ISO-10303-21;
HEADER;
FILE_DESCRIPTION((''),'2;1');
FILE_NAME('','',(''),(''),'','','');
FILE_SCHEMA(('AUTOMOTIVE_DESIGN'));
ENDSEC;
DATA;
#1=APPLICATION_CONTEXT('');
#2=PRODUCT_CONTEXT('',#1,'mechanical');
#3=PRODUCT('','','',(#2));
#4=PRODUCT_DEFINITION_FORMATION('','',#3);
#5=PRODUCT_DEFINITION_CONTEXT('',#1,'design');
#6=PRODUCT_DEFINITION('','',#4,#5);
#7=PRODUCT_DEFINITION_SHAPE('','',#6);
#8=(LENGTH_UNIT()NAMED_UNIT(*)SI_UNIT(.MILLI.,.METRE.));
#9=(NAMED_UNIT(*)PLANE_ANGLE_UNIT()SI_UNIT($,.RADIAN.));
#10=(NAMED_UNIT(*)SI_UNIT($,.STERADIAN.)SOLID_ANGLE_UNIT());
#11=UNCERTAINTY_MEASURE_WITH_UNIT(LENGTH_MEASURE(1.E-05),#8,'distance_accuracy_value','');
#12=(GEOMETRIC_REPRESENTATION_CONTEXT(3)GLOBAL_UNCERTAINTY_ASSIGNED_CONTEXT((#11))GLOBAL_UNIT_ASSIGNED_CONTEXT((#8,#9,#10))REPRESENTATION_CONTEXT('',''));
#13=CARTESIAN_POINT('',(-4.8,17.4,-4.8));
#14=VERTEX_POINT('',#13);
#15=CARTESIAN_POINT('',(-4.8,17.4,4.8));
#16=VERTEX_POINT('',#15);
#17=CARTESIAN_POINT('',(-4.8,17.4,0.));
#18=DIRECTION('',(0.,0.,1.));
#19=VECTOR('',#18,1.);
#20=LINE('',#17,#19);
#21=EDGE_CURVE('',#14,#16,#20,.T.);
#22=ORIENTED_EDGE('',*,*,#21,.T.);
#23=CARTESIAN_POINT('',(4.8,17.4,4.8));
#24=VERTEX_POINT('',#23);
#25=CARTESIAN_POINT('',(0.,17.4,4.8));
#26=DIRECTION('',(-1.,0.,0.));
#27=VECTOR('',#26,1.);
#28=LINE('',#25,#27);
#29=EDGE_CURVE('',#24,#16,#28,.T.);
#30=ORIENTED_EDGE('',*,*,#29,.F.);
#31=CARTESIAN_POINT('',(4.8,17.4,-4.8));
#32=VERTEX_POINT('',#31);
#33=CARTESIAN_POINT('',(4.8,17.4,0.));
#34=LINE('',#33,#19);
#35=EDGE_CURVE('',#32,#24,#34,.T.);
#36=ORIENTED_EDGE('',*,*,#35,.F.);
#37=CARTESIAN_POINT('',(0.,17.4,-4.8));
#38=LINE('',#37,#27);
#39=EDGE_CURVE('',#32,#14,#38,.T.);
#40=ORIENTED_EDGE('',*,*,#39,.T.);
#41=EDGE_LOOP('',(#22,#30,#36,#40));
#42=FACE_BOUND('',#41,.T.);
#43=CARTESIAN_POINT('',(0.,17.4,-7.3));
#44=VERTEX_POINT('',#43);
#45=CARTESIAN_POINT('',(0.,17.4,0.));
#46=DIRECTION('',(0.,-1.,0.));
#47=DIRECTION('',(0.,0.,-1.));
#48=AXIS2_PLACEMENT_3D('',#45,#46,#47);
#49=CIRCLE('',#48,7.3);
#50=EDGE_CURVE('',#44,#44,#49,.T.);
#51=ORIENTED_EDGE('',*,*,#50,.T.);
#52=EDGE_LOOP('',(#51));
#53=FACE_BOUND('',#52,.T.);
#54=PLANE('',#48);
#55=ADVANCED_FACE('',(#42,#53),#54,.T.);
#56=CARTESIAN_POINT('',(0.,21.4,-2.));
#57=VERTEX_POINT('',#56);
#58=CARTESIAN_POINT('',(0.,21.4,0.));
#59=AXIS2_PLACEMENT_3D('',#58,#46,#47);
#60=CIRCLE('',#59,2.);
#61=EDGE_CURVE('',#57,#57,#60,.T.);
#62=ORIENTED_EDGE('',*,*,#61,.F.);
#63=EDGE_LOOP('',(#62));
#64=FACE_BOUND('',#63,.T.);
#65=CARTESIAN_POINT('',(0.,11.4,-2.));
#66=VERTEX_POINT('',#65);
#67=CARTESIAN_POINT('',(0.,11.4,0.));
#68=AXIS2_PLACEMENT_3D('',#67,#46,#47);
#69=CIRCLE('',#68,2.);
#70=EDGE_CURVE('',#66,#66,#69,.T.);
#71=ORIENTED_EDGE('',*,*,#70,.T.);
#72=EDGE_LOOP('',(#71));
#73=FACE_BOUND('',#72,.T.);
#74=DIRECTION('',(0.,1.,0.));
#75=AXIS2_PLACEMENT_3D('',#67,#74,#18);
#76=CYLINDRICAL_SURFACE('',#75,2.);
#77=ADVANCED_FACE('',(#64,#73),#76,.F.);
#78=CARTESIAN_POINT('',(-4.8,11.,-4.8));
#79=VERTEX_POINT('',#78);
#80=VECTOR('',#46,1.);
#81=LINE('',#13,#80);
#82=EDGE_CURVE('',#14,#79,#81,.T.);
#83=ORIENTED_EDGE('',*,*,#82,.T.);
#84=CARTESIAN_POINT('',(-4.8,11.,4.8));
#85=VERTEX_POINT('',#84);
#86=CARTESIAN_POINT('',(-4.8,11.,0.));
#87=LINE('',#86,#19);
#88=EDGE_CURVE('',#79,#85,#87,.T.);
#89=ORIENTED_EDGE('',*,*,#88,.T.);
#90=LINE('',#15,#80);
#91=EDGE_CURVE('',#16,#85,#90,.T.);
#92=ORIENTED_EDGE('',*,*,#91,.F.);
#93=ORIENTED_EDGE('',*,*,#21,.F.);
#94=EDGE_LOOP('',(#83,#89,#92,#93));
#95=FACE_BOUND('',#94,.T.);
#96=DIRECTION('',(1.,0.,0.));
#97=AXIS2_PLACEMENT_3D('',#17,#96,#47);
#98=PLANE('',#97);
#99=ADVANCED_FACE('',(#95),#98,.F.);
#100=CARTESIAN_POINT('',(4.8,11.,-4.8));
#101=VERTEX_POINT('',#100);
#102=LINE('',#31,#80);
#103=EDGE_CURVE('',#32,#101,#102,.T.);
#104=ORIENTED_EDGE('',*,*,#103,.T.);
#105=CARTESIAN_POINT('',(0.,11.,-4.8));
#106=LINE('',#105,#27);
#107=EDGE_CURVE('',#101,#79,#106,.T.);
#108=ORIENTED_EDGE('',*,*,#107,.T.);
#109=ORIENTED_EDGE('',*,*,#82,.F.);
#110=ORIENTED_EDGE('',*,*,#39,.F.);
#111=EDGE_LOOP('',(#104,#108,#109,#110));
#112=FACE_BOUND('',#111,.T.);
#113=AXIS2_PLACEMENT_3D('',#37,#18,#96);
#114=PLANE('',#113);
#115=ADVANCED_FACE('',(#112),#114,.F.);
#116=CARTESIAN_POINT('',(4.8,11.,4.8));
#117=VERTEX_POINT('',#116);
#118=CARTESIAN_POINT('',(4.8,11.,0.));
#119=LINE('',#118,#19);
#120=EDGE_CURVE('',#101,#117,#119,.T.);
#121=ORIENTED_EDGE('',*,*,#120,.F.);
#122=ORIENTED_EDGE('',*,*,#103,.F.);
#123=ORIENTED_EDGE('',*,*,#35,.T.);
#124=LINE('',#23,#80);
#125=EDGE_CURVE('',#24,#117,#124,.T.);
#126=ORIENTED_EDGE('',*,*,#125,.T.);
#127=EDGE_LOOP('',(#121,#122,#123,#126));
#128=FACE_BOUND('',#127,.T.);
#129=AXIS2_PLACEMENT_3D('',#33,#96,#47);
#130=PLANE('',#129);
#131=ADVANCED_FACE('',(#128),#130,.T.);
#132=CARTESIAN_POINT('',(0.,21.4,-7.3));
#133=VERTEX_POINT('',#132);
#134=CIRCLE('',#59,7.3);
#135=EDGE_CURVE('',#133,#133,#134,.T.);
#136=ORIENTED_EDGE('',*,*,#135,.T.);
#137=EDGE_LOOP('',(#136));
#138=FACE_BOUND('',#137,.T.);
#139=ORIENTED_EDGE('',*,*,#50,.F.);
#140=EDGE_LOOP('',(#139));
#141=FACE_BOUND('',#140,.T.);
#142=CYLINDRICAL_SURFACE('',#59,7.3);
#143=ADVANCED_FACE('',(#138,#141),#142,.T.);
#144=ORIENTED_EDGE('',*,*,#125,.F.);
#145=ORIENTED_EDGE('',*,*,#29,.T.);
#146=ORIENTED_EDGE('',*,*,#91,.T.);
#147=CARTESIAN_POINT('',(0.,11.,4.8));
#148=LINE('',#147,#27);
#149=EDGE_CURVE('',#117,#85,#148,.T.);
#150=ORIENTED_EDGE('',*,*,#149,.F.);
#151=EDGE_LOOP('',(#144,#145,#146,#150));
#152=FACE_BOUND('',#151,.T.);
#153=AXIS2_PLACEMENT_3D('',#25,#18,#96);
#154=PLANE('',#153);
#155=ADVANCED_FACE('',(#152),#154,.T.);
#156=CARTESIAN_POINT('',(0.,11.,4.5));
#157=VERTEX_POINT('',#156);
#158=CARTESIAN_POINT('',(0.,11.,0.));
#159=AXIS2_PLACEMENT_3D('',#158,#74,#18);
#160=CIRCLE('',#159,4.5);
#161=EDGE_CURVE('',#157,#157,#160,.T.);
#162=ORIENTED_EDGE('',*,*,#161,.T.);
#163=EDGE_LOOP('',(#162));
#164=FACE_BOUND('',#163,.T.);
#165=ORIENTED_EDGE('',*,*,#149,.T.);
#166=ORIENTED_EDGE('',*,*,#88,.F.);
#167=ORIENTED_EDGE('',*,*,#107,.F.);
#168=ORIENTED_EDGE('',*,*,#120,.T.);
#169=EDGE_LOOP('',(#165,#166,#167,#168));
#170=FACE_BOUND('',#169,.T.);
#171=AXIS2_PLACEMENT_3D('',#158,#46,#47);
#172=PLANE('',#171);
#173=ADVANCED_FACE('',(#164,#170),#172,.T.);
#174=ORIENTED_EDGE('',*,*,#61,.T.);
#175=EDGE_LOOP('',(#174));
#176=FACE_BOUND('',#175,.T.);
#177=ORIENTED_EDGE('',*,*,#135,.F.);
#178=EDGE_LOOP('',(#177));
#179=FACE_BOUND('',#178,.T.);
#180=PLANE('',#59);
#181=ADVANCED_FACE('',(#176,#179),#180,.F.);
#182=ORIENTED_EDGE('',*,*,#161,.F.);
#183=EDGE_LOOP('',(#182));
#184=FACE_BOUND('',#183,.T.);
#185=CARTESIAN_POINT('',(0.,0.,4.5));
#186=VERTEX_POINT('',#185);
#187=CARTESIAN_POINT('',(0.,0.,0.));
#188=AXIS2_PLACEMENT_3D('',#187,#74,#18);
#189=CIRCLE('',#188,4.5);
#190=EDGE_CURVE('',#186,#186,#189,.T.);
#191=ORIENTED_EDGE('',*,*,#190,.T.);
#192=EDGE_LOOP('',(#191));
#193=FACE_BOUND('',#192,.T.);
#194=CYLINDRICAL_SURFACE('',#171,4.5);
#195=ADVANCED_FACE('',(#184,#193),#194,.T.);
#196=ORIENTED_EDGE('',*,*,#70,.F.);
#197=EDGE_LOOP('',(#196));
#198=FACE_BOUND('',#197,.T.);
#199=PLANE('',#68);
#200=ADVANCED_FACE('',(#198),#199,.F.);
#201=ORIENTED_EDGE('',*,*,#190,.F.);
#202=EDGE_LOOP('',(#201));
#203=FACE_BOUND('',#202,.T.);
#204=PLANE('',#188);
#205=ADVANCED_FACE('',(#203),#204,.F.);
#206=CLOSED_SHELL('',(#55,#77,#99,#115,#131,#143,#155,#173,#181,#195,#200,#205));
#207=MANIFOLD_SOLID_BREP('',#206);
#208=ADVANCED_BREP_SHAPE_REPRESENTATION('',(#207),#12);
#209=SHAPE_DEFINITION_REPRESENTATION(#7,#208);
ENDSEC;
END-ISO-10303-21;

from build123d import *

# Parameters (mm, degrees)
SKETCH1_R           = 4.5
SKETCH1_R_2         = 2
BOSS_EXTRUDE1_DEPTH = 11
BOSS_EXTRUDE2_START = 11
SKETCH1_3_W         = 9.6
SKETCH1_3_H         = 9.6
SKETCH1_3_R         = 4.5
SKETCH1_3_R_2       = 2
BOSS_EXTRUDE2_DEPTH = 6.4
BOSS_EXTRUDE3_START = 17.4
SKETCH1_4_R         = 7.3
SKETCH1_4_W         = 9.6
SKETCH1_4_H         = 9.6
SKETCH1_4_R_2       = 4.5
SKETCH1_4_R_3       = 2
BOSS_EXTRUDE3_DEPTH = 4
CUT_EXTRUDE1_START  = 21.4
SKETCH1_5_R         = 2
CUT_EXTRUDE1_DEPTH  = 10


with BuildPart() as part:
    # Sketch1 → Boss-Extrude1 (new body)
    with BuildSketch(Plane(origin=(0, 0, 0), x_dir=(1, 0, 0), z_dir=(0, 1, 0))):
        Circle(SKETCH1_R)
        Circle(SKETCH1_R_2, mode=Mode.SUBTRACT)
        Circle(SKETCH1_R_2)
    extrude(amount=BOSS_EXTRUDE1_DEPTH)

    # Sketch1<3> → Boss-Extrude2 (add)
    with BuildSketch(Plane(origin=(0, 0, 0), x_dir=(1, 0, 0), z_dir=(0, 1, 0)).offset(BOSS_EXTRUDE2_START)):
        Rectangle(SKETCH1_3_W, SKETCH1_3_H)
        Circle(SKETCH1_3_R, mode=Mode.SUBTRACT)
        Circle(SKETCH1_3_R)
        Circle(SKETCH1_3_R_2, mode=Mode.SUBTRACT)
        Circle(SKETCH1_3_R_2)
    extrude(amount=BOSS_EXTRUDE2_DEPTH)

    # Sketch1<4> → Boss-Extrude3 (add)
    with BuildSketch(Plane(origin=(0, 0, 0), x_dir=(1, 0, 0), z_dir=(0, 1, 0)).offset(BOSS_EXTRUDE3_START)):
        Circle(SKETCH1_4_R)
        Rectangle(SKETCH1_4_W, SKETCH1_4_H, mode=Mode.SUBTRACT)
        Rectangle(SKETCH1_4_W, SKETCH1_4_H)
        Circle(SKETCH1_4_R_2, mode=Mode.SUBTRACT)
        Circle(SKETCH1_4_R_2)
        Circle(SKETCH1_4_R_3, mode=Mode.SUBTRACT)
        Circle(SKETCH1_4_R_3)
    extrude(amount=BOSS_EXTRUDE3_DEPTH)

    # Sketch1<5> → Cut-Extrude1 (cut)
    with BuildSketch(Plane(origin=(0, 0, 0), x_dir=(1, 0, 0), z_dir=(0, 1, 0)).offset(CUT_EXTRUDE1_START)):
        Circle(SKETCH1_5_R)
    extrude(amount=-CUT_EXTRUDE1_DEPTH, mode=Mode.SUBTRACT)


solid = part.part
